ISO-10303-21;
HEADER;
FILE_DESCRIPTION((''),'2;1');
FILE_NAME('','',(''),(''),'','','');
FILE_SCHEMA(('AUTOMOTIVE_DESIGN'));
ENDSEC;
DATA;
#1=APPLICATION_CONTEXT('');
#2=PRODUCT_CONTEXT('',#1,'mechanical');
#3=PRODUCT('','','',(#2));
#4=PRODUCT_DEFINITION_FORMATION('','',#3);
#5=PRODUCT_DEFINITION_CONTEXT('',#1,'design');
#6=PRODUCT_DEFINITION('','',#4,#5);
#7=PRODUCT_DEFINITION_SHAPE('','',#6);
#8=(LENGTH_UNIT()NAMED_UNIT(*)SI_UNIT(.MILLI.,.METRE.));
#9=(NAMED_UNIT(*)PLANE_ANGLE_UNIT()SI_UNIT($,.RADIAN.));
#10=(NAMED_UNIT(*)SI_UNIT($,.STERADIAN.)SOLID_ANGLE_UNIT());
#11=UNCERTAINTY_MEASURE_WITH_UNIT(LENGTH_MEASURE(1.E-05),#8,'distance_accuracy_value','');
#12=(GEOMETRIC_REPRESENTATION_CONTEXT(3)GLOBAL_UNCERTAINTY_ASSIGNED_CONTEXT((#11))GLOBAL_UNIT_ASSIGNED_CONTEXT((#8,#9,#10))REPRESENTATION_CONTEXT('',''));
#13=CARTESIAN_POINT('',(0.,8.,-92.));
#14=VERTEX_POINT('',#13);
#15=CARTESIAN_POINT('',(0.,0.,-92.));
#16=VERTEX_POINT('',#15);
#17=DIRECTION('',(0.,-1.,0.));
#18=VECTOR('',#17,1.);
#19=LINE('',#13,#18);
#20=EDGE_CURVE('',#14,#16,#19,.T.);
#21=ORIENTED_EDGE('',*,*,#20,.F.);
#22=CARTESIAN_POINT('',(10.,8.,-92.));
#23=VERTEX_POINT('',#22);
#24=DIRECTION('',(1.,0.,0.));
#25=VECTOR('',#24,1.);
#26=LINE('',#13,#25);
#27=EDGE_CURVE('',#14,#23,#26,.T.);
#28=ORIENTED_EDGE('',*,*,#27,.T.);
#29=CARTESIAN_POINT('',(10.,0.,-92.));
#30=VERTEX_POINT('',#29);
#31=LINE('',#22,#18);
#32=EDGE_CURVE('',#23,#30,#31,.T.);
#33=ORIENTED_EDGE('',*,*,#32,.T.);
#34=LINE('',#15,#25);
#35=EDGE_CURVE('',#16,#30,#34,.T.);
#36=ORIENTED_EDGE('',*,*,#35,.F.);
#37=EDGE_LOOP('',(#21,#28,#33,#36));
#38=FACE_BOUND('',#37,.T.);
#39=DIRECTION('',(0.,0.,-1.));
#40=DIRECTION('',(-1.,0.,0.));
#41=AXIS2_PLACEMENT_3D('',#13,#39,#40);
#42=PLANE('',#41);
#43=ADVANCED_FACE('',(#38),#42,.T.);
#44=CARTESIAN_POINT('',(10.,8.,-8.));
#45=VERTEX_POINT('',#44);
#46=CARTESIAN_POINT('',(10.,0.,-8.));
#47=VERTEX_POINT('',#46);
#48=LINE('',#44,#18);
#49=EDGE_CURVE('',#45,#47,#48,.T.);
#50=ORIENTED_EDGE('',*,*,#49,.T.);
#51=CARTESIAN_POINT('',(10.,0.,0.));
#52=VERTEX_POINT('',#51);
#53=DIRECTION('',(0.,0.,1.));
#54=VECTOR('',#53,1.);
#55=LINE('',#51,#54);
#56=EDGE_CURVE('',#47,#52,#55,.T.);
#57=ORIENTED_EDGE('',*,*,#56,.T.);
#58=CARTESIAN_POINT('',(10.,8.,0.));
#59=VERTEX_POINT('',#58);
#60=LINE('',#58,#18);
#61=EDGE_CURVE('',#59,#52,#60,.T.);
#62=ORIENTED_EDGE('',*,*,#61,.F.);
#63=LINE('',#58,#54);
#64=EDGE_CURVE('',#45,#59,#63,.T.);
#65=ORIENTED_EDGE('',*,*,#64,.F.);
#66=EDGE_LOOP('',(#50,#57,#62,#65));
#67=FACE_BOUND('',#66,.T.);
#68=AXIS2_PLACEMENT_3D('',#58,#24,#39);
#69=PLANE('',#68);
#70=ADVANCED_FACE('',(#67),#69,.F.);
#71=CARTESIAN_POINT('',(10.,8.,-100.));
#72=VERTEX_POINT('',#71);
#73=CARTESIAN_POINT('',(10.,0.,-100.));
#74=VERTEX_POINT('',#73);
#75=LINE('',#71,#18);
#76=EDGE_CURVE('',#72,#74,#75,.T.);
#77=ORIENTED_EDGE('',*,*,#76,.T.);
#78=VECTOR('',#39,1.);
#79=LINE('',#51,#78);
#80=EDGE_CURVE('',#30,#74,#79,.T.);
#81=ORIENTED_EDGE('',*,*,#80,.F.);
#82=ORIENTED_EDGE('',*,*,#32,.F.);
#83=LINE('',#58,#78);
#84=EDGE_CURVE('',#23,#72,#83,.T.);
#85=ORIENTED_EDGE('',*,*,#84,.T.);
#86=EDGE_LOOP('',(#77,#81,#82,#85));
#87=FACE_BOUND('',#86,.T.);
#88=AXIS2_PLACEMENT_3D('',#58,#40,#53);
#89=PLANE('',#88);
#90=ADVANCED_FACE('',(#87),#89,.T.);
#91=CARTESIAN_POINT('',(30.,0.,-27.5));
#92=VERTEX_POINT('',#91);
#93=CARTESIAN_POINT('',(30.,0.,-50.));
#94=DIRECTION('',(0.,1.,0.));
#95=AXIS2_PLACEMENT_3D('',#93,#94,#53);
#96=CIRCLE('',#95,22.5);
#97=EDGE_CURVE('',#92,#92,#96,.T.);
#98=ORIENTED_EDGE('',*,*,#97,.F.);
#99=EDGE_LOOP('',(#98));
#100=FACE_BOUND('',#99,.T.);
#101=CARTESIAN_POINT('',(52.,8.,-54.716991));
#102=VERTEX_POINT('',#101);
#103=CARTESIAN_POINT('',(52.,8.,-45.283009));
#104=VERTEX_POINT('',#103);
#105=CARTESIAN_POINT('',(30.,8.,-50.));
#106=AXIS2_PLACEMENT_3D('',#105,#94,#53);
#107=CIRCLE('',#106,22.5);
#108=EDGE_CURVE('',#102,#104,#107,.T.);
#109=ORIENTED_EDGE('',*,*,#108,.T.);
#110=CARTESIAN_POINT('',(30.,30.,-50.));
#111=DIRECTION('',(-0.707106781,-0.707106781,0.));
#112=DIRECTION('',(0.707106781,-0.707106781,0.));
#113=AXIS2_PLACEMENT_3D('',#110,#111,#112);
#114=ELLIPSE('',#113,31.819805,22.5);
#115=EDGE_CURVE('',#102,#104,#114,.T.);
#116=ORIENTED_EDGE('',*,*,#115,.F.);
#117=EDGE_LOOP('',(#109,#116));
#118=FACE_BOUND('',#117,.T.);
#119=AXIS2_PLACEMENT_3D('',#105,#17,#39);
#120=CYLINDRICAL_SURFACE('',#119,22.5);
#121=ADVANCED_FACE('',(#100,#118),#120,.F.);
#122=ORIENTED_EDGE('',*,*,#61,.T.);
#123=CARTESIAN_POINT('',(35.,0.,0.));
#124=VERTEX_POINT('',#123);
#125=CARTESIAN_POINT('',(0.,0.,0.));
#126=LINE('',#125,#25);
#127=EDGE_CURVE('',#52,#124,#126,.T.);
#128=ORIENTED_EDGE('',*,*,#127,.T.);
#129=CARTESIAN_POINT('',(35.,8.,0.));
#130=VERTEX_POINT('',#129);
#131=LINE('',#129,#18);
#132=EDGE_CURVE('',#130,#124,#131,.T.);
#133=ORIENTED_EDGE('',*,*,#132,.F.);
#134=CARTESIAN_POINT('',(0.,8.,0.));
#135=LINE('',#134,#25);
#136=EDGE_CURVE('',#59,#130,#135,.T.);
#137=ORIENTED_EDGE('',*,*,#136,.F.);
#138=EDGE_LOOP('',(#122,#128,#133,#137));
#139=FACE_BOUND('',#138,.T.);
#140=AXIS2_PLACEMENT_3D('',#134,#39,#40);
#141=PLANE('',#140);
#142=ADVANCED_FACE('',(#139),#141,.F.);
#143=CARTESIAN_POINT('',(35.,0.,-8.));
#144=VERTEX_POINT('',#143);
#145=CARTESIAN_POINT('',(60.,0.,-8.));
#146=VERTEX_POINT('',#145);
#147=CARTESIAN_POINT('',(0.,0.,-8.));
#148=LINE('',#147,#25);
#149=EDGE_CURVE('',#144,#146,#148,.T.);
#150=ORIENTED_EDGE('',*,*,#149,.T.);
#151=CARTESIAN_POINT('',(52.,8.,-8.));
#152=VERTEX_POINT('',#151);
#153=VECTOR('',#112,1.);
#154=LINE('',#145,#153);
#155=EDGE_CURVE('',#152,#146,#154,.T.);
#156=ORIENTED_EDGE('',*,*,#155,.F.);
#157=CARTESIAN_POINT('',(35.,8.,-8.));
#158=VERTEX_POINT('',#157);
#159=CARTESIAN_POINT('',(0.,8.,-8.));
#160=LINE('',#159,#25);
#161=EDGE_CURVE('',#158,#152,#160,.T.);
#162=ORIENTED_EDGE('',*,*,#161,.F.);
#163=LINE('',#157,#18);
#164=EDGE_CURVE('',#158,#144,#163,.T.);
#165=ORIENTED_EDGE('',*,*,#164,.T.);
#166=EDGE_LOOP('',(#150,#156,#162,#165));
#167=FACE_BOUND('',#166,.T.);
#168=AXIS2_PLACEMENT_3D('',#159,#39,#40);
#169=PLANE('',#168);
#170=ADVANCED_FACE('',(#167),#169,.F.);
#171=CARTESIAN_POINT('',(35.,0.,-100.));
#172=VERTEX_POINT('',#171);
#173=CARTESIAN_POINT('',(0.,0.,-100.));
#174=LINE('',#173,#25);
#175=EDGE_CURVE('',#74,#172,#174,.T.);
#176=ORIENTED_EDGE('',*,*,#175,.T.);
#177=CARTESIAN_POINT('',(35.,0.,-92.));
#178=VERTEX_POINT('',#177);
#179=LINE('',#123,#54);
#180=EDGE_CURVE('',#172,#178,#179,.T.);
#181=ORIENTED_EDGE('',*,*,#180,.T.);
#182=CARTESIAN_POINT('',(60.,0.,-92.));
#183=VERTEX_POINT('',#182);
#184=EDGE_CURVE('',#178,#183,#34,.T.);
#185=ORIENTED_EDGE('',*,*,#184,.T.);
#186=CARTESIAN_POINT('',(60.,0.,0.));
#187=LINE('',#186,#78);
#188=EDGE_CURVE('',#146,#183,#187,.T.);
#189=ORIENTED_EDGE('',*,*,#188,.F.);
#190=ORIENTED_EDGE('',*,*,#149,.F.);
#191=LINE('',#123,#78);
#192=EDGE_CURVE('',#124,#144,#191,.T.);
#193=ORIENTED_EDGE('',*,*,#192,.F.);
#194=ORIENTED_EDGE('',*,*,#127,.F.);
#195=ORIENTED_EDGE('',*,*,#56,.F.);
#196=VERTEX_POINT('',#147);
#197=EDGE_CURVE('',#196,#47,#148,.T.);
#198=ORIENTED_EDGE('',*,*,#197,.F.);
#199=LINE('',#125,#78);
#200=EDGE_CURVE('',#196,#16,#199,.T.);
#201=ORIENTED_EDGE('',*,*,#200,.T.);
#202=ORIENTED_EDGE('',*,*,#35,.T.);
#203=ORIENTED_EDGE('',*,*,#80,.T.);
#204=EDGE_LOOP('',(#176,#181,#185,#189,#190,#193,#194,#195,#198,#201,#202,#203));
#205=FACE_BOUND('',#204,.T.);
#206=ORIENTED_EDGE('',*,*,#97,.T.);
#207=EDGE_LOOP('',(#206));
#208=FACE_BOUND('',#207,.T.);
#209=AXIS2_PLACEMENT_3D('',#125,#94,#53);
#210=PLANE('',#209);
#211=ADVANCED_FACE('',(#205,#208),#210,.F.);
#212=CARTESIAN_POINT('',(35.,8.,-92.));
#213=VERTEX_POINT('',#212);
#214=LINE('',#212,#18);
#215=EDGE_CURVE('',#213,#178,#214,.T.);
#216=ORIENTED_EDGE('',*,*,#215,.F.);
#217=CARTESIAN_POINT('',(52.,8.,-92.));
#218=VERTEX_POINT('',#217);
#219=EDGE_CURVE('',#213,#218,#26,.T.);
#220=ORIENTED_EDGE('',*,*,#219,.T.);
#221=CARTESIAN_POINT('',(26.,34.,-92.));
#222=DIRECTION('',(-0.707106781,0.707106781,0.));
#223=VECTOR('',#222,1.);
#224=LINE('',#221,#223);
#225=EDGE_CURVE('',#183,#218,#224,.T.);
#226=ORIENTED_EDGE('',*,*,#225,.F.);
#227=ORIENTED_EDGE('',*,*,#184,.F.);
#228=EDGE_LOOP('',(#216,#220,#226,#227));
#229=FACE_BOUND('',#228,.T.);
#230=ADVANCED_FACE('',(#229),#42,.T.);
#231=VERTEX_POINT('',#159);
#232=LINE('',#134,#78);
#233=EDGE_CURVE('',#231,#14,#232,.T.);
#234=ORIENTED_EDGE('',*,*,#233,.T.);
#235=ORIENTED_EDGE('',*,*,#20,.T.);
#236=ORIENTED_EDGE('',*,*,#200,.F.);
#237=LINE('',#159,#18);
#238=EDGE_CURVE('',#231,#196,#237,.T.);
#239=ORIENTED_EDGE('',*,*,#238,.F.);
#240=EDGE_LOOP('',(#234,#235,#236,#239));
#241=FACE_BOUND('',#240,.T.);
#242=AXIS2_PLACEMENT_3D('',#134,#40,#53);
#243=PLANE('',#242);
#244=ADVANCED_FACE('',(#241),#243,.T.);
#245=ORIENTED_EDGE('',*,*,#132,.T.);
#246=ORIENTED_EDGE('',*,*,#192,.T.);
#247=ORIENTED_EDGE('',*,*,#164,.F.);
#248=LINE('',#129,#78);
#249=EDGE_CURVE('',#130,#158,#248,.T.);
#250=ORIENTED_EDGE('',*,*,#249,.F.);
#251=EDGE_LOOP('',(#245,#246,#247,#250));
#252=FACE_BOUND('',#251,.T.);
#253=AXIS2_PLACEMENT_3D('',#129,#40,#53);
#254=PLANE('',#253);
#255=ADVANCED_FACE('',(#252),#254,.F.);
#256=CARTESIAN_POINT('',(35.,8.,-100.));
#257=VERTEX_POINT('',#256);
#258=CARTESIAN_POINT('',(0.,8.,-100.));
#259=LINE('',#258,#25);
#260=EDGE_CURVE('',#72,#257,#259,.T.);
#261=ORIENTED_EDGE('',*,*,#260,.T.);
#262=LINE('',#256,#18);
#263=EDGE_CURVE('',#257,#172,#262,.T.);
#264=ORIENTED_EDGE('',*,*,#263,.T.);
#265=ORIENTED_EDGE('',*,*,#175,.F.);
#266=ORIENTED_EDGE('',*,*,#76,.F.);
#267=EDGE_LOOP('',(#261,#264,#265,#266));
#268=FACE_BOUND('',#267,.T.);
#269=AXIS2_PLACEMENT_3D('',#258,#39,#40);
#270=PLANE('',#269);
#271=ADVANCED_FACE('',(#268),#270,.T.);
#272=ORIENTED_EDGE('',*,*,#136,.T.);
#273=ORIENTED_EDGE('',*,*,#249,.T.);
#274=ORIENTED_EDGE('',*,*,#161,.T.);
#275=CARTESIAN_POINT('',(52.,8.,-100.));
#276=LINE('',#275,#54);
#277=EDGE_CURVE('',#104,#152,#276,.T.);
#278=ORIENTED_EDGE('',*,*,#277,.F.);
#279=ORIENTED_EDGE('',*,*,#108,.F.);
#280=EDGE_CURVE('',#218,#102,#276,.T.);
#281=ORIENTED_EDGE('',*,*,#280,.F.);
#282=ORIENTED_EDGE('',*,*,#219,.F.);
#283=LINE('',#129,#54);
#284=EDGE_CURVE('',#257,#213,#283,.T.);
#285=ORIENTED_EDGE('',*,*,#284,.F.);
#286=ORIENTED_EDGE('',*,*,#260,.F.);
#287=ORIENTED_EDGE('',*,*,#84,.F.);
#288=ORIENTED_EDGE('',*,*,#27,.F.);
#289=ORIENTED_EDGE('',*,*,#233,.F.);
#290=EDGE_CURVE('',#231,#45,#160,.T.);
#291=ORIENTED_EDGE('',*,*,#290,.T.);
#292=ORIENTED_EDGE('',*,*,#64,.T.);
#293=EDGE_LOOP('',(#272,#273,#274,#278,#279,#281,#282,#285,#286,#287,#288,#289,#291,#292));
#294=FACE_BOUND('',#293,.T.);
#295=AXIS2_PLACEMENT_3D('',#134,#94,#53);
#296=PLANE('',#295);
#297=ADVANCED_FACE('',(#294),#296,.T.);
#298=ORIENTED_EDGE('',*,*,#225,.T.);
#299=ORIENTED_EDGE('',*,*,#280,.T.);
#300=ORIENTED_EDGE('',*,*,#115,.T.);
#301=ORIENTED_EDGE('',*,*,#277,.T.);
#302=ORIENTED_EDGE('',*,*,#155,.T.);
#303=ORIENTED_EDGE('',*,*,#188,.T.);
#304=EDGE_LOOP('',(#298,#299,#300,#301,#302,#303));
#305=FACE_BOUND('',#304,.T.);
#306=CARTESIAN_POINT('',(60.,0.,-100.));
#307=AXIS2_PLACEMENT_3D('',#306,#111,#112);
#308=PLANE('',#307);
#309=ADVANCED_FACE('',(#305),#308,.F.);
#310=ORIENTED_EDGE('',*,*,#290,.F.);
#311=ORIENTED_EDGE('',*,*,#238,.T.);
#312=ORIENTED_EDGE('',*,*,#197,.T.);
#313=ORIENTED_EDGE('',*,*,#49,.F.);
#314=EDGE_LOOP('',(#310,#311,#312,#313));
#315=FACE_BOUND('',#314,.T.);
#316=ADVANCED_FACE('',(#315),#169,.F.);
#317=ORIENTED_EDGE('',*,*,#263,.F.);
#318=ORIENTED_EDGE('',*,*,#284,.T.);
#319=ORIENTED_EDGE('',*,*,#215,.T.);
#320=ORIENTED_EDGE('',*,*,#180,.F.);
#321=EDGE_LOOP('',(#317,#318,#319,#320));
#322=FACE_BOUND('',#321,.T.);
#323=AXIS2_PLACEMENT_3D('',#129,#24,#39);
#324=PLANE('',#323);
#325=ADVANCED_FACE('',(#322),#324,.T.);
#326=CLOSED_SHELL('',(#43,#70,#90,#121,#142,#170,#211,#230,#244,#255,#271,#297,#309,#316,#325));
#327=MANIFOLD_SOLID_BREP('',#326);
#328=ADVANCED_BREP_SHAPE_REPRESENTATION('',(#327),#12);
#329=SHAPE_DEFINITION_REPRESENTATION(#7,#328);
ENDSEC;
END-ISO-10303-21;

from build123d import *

# Parameters (mm, degrees)
SKETCH1_R           = 22.5
BOSS_EXTRUDE1_DEPTH = 8
CUT_EXTRUDE4_DEPTH  = 111.127199183


with BuildPart() as part:
    # Sketch1 → Boss-Extrude1 (new body)
    with BuildSketch(Plane(origin=(0, 0, 0), x_dir=(1, 0, 0), z_dir=(0, 1, 0))):
        Polygon((10, 0), (35, 0), (35, 8), (60, 8), (60, 92), (35, 92), (35, 100), (10, 100), (10, 92), (0, 92), (0, 8), (10, 8), align=None)
        with Locations(Location((30, 50, 0), (0, 0, 270))):
            Circle(SKETCH1_R, mode=Mode.SUBTRACT)
    extrude(amount=BOSS_EXTRUDE1_DEPTH)

    # Sketch7 → Cut-Extrude4 (cut, through all)
    with BuildSketch(Plane.XY.offset(-8)):
        Polygon((60, 0), (52, 8), (60, 8), align=None)
    extrude(amount=-CUT_EXTRUDE4_DEPTH, mode=Mode.SUBTRACT)


solid = part.part
